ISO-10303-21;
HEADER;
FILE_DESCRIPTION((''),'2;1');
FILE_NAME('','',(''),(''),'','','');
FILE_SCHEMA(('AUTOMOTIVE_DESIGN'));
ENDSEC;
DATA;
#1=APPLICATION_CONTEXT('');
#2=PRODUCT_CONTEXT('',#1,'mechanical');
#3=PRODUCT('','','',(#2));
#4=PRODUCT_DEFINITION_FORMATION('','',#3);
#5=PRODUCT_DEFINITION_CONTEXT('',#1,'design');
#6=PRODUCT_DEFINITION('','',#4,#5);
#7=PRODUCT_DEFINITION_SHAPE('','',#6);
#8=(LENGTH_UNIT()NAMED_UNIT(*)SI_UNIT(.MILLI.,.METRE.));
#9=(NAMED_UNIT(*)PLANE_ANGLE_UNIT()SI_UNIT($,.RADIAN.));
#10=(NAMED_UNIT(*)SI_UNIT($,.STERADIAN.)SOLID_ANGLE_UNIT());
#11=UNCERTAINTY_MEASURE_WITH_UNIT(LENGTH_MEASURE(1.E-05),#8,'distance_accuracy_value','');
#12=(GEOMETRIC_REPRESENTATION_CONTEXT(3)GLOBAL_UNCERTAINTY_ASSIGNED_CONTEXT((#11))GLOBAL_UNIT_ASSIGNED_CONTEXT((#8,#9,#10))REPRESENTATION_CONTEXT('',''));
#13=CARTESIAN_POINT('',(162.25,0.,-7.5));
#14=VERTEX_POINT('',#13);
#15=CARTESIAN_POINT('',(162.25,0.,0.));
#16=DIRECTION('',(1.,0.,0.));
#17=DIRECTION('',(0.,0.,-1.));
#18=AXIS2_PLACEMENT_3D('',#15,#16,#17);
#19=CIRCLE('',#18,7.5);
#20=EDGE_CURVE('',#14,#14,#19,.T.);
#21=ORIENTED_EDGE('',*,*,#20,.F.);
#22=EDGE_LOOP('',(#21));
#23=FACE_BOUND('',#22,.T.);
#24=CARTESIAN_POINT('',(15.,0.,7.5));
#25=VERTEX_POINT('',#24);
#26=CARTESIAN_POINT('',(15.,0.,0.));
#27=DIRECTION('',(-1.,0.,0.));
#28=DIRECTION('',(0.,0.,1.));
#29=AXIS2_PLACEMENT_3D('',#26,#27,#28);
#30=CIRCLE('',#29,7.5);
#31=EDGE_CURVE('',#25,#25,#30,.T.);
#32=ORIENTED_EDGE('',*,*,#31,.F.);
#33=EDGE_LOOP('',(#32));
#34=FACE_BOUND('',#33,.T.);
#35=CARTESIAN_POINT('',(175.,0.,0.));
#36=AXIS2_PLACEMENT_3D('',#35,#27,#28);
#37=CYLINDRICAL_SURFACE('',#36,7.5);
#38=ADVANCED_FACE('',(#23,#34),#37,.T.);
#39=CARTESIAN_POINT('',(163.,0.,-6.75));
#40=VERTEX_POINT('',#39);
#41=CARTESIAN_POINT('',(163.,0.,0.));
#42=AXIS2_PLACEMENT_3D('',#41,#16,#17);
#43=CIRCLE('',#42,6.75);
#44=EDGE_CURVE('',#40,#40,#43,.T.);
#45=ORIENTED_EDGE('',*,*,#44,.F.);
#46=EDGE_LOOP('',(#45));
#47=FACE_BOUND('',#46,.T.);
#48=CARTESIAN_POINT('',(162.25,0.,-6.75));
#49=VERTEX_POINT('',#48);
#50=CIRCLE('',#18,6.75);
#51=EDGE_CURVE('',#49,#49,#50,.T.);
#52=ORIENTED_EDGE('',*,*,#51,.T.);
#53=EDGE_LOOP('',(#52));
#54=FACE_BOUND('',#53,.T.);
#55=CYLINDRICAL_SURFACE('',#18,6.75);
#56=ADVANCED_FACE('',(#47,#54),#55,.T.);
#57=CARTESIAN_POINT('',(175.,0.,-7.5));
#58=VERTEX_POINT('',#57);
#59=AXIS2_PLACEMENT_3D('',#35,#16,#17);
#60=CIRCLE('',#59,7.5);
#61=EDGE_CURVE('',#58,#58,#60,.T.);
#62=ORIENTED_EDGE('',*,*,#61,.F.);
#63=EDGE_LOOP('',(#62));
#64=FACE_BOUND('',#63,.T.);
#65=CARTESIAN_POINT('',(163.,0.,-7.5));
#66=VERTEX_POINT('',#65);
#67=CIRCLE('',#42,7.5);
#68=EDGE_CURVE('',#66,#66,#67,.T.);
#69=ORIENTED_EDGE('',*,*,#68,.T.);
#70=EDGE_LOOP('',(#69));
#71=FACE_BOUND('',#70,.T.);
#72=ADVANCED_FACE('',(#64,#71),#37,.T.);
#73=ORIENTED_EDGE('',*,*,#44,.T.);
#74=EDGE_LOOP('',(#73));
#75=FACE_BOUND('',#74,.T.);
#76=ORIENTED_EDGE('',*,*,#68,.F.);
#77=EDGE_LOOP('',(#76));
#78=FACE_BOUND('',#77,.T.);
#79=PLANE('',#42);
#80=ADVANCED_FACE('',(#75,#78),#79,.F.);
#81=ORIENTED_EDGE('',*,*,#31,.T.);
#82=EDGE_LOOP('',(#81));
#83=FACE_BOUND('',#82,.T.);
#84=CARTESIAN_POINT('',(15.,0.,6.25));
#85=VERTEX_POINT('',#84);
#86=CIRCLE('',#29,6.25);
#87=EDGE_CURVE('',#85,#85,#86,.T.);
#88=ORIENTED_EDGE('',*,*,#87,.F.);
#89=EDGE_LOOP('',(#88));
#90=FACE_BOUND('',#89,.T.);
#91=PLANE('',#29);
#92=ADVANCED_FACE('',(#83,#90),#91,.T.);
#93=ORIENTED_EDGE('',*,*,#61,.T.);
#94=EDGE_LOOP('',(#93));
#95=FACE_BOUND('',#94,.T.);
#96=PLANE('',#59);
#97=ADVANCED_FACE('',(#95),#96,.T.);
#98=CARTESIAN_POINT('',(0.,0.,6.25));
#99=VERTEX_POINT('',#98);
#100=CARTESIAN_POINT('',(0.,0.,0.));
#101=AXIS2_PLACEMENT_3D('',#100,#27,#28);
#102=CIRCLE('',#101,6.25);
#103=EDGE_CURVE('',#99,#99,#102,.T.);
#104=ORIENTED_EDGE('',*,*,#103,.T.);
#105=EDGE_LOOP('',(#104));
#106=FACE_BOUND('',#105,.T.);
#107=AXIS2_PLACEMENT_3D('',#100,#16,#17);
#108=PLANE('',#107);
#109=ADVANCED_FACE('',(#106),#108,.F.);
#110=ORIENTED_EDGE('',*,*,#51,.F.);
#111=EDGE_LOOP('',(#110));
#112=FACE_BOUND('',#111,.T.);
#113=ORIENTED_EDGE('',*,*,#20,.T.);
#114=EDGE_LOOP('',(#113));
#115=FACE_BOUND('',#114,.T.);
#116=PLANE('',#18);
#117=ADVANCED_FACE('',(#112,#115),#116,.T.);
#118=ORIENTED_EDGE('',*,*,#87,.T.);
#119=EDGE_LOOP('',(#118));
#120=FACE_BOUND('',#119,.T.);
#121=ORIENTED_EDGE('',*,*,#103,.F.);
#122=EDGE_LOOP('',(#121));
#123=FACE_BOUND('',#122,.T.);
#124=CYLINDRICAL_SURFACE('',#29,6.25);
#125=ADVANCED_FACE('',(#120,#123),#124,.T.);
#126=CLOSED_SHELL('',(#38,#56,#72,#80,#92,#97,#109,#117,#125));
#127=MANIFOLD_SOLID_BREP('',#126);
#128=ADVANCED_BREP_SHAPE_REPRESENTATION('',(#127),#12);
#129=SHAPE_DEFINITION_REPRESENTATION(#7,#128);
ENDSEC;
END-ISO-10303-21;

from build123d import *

# Parameters (mm, degrees)
SKETCH1_R          = 7.5
BASE_EXTRUDE_DEPTH = 175
CUT_EXTRUDE1_START = -0.75
SKETCH2_R          = 7.5
SKETCH2_R_2        = 6.75
CUT_EXTRUDE1_DEPTH = 0.75
SKETCH3_R          = 7.5
SKETCH3_R_2        = 6.25
CUT_EXTRUDE2_DEPTH = 15


with BuildPart() as part:
    # Sketch1 → Base-Extrude (new body)
    with BuildSketch(Plane(origin=(0, 0, 0), x_dir=(0, 0, -1), z_dir=(1, 0, 0))):
        Circle(SKETCH1_R)
    extrude(amount=BASE_EXTRUDE_DEPTH)

    # Sketch2 → Cut-Extrude1 (cut)
    with BuildSketch(Plane(origin=(163, 0, 0), x_dir=(0, 0, -1), z_dir=(1, 0, 0)).offset(CUT_EXTRUDE1_START)):
        Circle(SKETCH2_R)
        Circle(SKETCH2_R_2, mode=Mode.SUBTRACT)
    extrude(amount=CUT_EXTRUDE1_DEPTH, mode=Mode.SUBTRACT)

    # Sketch3 → Cut-Extrude2 (cut)
    with BuildSketch(Plane.ZY):
        Circle(SKETCH3_R)
        Circle(SKETCH3_R_2, mode=Mode.SUBTRACT)
    extrude(amount=-CUT_EXTRUDE2_DEPTH, mode=Mode.SUBTRACT)


solid = part.part
